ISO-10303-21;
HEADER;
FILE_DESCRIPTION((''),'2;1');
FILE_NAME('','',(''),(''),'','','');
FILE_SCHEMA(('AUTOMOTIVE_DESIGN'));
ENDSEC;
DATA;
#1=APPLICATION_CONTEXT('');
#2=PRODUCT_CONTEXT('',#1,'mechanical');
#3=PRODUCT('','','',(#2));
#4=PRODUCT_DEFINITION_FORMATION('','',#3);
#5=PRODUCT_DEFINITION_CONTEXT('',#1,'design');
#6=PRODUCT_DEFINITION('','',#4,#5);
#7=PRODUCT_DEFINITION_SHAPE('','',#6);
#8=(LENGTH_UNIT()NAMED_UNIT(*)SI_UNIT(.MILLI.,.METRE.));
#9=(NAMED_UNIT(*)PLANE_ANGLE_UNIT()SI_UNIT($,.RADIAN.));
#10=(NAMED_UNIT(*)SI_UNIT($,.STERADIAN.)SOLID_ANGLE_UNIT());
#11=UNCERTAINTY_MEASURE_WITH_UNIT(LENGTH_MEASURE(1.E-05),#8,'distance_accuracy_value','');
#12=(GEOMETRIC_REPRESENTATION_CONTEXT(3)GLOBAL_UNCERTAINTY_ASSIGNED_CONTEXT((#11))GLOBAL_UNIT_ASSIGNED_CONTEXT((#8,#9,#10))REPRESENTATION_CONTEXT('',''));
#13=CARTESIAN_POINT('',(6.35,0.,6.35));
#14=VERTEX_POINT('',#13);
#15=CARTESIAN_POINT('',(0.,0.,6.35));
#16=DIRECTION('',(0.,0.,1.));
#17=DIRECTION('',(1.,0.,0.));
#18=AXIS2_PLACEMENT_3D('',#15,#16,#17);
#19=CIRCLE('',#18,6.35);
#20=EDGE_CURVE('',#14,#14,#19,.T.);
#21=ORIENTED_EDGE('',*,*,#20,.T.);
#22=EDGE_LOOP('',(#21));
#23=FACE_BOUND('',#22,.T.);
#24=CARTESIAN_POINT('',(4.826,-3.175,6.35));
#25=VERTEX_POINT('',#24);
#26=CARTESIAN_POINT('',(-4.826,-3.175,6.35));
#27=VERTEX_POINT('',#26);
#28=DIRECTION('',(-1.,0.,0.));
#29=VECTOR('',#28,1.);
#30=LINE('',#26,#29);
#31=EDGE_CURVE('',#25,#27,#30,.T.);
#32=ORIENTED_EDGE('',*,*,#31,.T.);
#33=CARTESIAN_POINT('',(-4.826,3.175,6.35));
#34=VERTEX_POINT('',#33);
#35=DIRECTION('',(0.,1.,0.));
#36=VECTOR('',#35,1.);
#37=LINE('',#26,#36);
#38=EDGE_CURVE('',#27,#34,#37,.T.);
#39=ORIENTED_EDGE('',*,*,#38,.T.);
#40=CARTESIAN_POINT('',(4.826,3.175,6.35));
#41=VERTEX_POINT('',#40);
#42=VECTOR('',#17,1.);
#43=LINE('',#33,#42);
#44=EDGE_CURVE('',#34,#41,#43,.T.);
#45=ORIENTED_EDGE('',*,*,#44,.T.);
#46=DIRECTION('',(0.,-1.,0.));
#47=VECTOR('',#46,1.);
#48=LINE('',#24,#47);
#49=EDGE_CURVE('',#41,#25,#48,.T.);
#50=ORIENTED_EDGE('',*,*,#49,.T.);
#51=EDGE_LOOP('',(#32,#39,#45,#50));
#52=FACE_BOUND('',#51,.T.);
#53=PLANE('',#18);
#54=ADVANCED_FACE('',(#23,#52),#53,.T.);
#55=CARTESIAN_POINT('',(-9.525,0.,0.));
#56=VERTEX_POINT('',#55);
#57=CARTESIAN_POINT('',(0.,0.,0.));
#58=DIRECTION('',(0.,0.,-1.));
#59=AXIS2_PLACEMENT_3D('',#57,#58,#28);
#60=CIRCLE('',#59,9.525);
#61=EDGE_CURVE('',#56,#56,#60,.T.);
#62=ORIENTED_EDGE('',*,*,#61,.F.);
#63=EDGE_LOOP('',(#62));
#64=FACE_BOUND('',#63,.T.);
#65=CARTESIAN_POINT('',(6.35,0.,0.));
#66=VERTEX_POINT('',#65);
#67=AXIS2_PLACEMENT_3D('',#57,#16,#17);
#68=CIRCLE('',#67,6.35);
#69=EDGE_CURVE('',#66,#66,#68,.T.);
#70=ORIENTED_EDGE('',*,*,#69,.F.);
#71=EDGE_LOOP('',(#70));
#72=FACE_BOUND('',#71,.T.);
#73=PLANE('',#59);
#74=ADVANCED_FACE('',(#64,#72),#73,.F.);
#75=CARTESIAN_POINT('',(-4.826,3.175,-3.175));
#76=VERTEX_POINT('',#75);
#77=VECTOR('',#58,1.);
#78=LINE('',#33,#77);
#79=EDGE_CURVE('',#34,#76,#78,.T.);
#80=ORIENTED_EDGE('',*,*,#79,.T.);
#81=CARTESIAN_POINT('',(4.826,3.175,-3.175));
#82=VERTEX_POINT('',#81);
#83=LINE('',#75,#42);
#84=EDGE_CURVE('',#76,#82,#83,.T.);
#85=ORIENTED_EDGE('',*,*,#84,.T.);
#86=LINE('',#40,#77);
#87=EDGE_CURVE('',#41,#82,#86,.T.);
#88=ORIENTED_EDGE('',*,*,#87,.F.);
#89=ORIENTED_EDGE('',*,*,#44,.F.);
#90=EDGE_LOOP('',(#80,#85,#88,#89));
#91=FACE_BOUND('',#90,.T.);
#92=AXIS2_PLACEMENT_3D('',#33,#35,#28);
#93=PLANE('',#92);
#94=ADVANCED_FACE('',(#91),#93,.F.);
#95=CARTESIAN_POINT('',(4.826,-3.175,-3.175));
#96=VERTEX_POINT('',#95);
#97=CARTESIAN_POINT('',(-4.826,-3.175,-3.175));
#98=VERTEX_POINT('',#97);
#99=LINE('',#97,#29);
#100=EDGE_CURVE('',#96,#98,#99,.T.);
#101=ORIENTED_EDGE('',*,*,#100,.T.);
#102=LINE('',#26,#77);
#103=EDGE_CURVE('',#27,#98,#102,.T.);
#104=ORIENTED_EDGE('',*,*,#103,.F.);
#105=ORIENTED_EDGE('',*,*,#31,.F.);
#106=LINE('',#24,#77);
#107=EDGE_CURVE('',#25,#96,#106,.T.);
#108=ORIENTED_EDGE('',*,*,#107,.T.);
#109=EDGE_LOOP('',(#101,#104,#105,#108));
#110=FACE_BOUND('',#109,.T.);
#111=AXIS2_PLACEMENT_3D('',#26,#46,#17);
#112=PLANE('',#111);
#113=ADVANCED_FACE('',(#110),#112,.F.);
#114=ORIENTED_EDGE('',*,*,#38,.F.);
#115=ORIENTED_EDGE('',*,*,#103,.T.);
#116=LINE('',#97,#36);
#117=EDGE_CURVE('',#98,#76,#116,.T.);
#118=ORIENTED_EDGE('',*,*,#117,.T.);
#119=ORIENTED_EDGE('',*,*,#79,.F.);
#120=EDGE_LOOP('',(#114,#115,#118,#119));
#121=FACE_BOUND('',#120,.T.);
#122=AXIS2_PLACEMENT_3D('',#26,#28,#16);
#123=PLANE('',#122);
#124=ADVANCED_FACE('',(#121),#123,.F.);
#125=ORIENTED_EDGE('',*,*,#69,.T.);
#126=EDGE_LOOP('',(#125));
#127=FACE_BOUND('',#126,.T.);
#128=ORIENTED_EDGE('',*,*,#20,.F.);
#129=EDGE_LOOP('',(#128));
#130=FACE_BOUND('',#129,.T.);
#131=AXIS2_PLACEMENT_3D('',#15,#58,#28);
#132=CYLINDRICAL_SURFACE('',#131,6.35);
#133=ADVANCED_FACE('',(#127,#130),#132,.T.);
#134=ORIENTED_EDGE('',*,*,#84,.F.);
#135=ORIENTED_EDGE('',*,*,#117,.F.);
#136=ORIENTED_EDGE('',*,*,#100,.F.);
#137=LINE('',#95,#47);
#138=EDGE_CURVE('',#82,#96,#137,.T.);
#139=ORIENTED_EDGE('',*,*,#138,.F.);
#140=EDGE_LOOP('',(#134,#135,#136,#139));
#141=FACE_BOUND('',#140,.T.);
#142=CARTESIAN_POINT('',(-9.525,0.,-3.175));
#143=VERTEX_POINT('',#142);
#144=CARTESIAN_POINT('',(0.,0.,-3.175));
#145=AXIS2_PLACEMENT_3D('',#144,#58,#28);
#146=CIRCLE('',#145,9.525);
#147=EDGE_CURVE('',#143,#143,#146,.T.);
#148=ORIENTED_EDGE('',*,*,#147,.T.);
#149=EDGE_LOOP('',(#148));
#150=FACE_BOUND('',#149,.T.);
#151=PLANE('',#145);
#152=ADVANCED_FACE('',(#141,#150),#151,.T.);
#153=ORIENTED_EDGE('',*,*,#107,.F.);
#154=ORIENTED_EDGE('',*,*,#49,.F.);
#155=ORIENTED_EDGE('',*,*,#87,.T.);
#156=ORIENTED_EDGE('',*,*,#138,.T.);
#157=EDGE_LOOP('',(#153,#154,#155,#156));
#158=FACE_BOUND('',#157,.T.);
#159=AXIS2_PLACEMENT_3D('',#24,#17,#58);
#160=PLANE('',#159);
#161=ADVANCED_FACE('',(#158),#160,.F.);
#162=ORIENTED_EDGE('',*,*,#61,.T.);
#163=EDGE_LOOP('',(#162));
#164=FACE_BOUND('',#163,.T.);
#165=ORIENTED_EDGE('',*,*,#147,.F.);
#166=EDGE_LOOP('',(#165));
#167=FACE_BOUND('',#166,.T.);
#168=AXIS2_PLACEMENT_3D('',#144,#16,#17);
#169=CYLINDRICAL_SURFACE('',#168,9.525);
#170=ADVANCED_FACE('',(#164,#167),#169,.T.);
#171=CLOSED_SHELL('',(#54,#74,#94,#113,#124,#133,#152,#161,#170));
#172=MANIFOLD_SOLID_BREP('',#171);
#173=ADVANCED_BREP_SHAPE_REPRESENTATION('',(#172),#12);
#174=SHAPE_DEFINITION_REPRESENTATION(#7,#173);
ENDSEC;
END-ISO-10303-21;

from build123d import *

# Parameters (mm, degrees)
SKETCH1_R           = 6.35
BOSS_EXTRUDE1_DEPTH = 6.35
SKETCH3_R           = 9.525
BOSS_EXTRUDE2_DEPTH = 3.175
SKETCH4_W           = 9.652
SKETCH4_H           = 6.35
CUT_EXTRUDE2_DEPTH  = 17.497783942


with BuildPart() as part:
    # Sketch1 → Boss-Extrude1 (new body)
    with BuildSketch(Plane.XY):
        Circle(SKETCH1_R)
    extrude(amount=BOSS_EXTRUDE1_DEPTH)

    # Sketch3 → Boss-Extrude2 (add)
    with BuildSketch(Plane(origin=(0, 0, 0), x_dir=(-1, 0, 0), z_dir=(0, 0, -1))):
        Circle(SKETCH3_R)
    extrude(amount=BOSS_EXTRUDE2_DEPTH)

    # Sketch4 → Cut-Extrude2 (cut, through all)
    with BuildSketch(Plane(origin=(0, 0, -3.175), x_dir=(-1, 0, 0), z_dir=(0, 0, -1))):
        Rectangle(SKETCH4_W, SKETCH4_H)
    extrude(amount=-CUT_EXTRUDE2_DEPTH, mode=Mode.SUBTRACT)


solid = part.part
